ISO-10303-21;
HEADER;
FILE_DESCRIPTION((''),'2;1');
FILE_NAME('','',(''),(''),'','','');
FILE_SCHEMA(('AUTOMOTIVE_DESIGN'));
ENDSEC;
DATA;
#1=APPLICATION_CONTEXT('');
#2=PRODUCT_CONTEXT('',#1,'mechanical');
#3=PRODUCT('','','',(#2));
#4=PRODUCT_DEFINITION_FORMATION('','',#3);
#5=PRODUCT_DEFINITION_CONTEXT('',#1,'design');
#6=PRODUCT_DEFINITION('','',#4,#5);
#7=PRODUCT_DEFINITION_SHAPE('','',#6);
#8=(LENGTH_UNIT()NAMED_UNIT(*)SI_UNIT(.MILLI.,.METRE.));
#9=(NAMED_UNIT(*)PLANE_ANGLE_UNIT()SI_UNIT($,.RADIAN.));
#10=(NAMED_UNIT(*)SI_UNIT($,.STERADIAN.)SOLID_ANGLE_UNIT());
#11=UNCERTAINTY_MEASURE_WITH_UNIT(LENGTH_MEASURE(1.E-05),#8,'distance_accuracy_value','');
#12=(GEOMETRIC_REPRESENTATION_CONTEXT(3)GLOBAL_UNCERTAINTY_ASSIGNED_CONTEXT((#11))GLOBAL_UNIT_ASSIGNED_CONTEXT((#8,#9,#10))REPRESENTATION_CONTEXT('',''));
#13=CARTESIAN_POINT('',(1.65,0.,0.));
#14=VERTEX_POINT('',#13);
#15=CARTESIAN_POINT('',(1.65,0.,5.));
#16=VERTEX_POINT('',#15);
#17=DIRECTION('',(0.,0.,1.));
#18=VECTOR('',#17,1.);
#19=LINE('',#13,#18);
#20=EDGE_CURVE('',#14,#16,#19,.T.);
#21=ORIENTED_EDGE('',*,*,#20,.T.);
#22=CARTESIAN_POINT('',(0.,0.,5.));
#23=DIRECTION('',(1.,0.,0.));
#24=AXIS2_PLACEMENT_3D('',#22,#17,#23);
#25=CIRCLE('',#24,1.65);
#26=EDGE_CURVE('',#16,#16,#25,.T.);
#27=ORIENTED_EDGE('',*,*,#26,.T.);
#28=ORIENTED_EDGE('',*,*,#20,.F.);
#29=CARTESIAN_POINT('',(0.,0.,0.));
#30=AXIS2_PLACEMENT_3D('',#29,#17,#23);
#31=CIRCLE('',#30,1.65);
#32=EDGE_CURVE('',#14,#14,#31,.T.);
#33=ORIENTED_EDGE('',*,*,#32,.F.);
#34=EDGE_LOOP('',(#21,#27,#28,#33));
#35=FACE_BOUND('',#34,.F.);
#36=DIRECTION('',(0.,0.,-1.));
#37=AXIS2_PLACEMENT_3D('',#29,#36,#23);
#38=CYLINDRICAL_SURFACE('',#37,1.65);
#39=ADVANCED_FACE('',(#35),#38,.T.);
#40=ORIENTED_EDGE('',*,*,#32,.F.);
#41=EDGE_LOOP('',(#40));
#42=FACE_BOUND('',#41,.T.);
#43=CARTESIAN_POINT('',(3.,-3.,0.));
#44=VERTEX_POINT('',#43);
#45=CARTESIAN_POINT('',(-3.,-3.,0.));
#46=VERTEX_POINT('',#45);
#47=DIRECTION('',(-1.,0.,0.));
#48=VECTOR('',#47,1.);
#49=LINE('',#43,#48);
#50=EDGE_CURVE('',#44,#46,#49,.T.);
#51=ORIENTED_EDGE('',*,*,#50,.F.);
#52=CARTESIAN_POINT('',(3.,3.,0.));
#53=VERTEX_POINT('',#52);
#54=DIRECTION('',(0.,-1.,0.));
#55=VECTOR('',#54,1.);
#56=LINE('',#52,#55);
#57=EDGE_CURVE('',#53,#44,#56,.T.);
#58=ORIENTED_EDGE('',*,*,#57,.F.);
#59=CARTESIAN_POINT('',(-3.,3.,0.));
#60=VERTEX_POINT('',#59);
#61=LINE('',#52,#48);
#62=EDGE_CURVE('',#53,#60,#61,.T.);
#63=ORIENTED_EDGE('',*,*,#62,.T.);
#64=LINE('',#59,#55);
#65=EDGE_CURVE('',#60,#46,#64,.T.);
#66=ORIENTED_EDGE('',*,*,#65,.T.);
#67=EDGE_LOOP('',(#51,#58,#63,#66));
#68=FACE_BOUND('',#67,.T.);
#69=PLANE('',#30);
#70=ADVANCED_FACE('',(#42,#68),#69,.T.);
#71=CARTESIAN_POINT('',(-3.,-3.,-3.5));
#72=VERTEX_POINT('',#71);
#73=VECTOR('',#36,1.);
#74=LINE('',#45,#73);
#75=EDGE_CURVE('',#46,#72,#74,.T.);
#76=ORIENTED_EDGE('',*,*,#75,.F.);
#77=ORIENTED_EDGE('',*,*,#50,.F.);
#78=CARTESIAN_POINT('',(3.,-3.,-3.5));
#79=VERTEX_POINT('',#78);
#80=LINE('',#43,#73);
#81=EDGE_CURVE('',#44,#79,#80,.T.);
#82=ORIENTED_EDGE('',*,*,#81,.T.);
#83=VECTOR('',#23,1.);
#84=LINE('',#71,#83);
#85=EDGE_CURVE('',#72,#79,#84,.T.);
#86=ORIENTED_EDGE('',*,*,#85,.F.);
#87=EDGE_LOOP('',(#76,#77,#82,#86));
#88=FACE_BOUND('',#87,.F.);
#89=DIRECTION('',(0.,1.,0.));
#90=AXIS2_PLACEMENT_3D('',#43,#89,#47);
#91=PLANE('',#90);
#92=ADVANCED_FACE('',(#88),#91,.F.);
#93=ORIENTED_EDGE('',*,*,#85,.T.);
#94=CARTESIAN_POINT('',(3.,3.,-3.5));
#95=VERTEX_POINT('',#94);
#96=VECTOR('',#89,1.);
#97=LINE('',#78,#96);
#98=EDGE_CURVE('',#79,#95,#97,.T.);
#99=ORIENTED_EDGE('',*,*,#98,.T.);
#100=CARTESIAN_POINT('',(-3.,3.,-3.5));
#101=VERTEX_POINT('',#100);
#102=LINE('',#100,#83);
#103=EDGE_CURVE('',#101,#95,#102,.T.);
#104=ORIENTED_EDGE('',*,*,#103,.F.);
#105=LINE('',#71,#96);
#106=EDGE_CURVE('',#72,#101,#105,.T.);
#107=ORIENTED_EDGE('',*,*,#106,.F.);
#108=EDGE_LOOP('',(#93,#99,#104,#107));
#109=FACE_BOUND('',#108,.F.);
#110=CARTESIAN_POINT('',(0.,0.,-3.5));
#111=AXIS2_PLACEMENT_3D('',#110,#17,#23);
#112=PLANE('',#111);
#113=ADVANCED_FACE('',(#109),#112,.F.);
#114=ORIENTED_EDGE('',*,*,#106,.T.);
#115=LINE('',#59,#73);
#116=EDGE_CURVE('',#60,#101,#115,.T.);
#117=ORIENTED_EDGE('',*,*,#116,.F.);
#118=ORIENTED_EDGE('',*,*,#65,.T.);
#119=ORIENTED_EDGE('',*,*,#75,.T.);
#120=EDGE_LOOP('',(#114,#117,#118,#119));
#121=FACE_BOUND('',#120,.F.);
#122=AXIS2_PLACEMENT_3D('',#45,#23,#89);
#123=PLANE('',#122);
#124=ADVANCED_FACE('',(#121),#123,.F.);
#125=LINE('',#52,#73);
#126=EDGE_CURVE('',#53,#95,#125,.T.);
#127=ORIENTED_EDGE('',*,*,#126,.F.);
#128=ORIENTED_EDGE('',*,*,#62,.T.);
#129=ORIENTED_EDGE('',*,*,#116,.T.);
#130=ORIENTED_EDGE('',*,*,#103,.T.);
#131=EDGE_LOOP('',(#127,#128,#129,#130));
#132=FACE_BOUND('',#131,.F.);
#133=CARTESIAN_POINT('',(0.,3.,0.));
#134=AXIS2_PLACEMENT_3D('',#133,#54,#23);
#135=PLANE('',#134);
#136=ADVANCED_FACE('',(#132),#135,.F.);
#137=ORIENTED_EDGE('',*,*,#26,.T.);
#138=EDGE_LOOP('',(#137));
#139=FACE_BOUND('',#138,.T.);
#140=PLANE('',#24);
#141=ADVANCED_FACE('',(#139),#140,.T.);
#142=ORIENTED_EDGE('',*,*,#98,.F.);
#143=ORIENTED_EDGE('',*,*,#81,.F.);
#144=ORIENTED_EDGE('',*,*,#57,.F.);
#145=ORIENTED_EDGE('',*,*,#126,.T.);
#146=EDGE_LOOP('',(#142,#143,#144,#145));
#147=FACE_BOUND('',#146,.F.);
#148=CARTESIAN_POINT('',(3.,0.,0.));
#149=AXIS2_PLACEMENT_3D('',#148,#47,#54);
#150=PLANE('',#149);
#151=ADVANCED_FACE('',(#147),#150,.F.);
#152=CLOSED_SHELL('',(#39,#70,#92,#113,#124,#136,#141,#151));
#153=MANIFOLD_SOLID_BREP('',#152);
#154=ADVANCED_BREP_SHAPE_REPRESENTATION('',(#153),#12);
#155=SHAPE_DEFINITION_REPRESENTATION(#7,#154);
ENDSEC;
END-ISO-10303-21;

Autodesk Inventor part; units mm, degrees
ref_plane "YZ Plane" through (0, 0, 0) normal (1, 0, 0) x (0, 1, 0)
ref_plane "XZ Plane" through (0, 0, 0) normal (0, 1, 0) x (-1, 0, 0)
ref_plane "XY Plane" through (0, 0, 0) normal (0, 0, 1) x (1, 0, 0)
sketch "Sketch1" plane through (0, 0, 0) normal (0, 0, 1) x (1, 0, 0)
  circle A0 centre (0, 0) radius 1.65
  dimension "d0" = 3.3
extrude "Extrusion1" add sketch "Sketch1" along normal blind 5
sketch "Sketch2" plane through (0, 0, 0) normal (0, 0, 1) x (1, 0, 0)
  line L0 (3, -3) -> (-3, -3)
  line L1 (-3, -3) -> (-3, 3)
  line L2 (-3, 3) -> (3, 3)
  line L3 (3, 3) -> (3, -3)
  line L4 (-4.2165, 0) -> (4.1835, 0) projected
  line L5 (0, -4.2) -> (0, 4.2) projected
  point P0 (0, 0)
  point P1 (3, 0)
  point P2 (0, 3)
  dimension "d3" = 6
extrude "Extrusion2" add sketch "Sketch2" against normal blind 3.5
properties part number "Button"
